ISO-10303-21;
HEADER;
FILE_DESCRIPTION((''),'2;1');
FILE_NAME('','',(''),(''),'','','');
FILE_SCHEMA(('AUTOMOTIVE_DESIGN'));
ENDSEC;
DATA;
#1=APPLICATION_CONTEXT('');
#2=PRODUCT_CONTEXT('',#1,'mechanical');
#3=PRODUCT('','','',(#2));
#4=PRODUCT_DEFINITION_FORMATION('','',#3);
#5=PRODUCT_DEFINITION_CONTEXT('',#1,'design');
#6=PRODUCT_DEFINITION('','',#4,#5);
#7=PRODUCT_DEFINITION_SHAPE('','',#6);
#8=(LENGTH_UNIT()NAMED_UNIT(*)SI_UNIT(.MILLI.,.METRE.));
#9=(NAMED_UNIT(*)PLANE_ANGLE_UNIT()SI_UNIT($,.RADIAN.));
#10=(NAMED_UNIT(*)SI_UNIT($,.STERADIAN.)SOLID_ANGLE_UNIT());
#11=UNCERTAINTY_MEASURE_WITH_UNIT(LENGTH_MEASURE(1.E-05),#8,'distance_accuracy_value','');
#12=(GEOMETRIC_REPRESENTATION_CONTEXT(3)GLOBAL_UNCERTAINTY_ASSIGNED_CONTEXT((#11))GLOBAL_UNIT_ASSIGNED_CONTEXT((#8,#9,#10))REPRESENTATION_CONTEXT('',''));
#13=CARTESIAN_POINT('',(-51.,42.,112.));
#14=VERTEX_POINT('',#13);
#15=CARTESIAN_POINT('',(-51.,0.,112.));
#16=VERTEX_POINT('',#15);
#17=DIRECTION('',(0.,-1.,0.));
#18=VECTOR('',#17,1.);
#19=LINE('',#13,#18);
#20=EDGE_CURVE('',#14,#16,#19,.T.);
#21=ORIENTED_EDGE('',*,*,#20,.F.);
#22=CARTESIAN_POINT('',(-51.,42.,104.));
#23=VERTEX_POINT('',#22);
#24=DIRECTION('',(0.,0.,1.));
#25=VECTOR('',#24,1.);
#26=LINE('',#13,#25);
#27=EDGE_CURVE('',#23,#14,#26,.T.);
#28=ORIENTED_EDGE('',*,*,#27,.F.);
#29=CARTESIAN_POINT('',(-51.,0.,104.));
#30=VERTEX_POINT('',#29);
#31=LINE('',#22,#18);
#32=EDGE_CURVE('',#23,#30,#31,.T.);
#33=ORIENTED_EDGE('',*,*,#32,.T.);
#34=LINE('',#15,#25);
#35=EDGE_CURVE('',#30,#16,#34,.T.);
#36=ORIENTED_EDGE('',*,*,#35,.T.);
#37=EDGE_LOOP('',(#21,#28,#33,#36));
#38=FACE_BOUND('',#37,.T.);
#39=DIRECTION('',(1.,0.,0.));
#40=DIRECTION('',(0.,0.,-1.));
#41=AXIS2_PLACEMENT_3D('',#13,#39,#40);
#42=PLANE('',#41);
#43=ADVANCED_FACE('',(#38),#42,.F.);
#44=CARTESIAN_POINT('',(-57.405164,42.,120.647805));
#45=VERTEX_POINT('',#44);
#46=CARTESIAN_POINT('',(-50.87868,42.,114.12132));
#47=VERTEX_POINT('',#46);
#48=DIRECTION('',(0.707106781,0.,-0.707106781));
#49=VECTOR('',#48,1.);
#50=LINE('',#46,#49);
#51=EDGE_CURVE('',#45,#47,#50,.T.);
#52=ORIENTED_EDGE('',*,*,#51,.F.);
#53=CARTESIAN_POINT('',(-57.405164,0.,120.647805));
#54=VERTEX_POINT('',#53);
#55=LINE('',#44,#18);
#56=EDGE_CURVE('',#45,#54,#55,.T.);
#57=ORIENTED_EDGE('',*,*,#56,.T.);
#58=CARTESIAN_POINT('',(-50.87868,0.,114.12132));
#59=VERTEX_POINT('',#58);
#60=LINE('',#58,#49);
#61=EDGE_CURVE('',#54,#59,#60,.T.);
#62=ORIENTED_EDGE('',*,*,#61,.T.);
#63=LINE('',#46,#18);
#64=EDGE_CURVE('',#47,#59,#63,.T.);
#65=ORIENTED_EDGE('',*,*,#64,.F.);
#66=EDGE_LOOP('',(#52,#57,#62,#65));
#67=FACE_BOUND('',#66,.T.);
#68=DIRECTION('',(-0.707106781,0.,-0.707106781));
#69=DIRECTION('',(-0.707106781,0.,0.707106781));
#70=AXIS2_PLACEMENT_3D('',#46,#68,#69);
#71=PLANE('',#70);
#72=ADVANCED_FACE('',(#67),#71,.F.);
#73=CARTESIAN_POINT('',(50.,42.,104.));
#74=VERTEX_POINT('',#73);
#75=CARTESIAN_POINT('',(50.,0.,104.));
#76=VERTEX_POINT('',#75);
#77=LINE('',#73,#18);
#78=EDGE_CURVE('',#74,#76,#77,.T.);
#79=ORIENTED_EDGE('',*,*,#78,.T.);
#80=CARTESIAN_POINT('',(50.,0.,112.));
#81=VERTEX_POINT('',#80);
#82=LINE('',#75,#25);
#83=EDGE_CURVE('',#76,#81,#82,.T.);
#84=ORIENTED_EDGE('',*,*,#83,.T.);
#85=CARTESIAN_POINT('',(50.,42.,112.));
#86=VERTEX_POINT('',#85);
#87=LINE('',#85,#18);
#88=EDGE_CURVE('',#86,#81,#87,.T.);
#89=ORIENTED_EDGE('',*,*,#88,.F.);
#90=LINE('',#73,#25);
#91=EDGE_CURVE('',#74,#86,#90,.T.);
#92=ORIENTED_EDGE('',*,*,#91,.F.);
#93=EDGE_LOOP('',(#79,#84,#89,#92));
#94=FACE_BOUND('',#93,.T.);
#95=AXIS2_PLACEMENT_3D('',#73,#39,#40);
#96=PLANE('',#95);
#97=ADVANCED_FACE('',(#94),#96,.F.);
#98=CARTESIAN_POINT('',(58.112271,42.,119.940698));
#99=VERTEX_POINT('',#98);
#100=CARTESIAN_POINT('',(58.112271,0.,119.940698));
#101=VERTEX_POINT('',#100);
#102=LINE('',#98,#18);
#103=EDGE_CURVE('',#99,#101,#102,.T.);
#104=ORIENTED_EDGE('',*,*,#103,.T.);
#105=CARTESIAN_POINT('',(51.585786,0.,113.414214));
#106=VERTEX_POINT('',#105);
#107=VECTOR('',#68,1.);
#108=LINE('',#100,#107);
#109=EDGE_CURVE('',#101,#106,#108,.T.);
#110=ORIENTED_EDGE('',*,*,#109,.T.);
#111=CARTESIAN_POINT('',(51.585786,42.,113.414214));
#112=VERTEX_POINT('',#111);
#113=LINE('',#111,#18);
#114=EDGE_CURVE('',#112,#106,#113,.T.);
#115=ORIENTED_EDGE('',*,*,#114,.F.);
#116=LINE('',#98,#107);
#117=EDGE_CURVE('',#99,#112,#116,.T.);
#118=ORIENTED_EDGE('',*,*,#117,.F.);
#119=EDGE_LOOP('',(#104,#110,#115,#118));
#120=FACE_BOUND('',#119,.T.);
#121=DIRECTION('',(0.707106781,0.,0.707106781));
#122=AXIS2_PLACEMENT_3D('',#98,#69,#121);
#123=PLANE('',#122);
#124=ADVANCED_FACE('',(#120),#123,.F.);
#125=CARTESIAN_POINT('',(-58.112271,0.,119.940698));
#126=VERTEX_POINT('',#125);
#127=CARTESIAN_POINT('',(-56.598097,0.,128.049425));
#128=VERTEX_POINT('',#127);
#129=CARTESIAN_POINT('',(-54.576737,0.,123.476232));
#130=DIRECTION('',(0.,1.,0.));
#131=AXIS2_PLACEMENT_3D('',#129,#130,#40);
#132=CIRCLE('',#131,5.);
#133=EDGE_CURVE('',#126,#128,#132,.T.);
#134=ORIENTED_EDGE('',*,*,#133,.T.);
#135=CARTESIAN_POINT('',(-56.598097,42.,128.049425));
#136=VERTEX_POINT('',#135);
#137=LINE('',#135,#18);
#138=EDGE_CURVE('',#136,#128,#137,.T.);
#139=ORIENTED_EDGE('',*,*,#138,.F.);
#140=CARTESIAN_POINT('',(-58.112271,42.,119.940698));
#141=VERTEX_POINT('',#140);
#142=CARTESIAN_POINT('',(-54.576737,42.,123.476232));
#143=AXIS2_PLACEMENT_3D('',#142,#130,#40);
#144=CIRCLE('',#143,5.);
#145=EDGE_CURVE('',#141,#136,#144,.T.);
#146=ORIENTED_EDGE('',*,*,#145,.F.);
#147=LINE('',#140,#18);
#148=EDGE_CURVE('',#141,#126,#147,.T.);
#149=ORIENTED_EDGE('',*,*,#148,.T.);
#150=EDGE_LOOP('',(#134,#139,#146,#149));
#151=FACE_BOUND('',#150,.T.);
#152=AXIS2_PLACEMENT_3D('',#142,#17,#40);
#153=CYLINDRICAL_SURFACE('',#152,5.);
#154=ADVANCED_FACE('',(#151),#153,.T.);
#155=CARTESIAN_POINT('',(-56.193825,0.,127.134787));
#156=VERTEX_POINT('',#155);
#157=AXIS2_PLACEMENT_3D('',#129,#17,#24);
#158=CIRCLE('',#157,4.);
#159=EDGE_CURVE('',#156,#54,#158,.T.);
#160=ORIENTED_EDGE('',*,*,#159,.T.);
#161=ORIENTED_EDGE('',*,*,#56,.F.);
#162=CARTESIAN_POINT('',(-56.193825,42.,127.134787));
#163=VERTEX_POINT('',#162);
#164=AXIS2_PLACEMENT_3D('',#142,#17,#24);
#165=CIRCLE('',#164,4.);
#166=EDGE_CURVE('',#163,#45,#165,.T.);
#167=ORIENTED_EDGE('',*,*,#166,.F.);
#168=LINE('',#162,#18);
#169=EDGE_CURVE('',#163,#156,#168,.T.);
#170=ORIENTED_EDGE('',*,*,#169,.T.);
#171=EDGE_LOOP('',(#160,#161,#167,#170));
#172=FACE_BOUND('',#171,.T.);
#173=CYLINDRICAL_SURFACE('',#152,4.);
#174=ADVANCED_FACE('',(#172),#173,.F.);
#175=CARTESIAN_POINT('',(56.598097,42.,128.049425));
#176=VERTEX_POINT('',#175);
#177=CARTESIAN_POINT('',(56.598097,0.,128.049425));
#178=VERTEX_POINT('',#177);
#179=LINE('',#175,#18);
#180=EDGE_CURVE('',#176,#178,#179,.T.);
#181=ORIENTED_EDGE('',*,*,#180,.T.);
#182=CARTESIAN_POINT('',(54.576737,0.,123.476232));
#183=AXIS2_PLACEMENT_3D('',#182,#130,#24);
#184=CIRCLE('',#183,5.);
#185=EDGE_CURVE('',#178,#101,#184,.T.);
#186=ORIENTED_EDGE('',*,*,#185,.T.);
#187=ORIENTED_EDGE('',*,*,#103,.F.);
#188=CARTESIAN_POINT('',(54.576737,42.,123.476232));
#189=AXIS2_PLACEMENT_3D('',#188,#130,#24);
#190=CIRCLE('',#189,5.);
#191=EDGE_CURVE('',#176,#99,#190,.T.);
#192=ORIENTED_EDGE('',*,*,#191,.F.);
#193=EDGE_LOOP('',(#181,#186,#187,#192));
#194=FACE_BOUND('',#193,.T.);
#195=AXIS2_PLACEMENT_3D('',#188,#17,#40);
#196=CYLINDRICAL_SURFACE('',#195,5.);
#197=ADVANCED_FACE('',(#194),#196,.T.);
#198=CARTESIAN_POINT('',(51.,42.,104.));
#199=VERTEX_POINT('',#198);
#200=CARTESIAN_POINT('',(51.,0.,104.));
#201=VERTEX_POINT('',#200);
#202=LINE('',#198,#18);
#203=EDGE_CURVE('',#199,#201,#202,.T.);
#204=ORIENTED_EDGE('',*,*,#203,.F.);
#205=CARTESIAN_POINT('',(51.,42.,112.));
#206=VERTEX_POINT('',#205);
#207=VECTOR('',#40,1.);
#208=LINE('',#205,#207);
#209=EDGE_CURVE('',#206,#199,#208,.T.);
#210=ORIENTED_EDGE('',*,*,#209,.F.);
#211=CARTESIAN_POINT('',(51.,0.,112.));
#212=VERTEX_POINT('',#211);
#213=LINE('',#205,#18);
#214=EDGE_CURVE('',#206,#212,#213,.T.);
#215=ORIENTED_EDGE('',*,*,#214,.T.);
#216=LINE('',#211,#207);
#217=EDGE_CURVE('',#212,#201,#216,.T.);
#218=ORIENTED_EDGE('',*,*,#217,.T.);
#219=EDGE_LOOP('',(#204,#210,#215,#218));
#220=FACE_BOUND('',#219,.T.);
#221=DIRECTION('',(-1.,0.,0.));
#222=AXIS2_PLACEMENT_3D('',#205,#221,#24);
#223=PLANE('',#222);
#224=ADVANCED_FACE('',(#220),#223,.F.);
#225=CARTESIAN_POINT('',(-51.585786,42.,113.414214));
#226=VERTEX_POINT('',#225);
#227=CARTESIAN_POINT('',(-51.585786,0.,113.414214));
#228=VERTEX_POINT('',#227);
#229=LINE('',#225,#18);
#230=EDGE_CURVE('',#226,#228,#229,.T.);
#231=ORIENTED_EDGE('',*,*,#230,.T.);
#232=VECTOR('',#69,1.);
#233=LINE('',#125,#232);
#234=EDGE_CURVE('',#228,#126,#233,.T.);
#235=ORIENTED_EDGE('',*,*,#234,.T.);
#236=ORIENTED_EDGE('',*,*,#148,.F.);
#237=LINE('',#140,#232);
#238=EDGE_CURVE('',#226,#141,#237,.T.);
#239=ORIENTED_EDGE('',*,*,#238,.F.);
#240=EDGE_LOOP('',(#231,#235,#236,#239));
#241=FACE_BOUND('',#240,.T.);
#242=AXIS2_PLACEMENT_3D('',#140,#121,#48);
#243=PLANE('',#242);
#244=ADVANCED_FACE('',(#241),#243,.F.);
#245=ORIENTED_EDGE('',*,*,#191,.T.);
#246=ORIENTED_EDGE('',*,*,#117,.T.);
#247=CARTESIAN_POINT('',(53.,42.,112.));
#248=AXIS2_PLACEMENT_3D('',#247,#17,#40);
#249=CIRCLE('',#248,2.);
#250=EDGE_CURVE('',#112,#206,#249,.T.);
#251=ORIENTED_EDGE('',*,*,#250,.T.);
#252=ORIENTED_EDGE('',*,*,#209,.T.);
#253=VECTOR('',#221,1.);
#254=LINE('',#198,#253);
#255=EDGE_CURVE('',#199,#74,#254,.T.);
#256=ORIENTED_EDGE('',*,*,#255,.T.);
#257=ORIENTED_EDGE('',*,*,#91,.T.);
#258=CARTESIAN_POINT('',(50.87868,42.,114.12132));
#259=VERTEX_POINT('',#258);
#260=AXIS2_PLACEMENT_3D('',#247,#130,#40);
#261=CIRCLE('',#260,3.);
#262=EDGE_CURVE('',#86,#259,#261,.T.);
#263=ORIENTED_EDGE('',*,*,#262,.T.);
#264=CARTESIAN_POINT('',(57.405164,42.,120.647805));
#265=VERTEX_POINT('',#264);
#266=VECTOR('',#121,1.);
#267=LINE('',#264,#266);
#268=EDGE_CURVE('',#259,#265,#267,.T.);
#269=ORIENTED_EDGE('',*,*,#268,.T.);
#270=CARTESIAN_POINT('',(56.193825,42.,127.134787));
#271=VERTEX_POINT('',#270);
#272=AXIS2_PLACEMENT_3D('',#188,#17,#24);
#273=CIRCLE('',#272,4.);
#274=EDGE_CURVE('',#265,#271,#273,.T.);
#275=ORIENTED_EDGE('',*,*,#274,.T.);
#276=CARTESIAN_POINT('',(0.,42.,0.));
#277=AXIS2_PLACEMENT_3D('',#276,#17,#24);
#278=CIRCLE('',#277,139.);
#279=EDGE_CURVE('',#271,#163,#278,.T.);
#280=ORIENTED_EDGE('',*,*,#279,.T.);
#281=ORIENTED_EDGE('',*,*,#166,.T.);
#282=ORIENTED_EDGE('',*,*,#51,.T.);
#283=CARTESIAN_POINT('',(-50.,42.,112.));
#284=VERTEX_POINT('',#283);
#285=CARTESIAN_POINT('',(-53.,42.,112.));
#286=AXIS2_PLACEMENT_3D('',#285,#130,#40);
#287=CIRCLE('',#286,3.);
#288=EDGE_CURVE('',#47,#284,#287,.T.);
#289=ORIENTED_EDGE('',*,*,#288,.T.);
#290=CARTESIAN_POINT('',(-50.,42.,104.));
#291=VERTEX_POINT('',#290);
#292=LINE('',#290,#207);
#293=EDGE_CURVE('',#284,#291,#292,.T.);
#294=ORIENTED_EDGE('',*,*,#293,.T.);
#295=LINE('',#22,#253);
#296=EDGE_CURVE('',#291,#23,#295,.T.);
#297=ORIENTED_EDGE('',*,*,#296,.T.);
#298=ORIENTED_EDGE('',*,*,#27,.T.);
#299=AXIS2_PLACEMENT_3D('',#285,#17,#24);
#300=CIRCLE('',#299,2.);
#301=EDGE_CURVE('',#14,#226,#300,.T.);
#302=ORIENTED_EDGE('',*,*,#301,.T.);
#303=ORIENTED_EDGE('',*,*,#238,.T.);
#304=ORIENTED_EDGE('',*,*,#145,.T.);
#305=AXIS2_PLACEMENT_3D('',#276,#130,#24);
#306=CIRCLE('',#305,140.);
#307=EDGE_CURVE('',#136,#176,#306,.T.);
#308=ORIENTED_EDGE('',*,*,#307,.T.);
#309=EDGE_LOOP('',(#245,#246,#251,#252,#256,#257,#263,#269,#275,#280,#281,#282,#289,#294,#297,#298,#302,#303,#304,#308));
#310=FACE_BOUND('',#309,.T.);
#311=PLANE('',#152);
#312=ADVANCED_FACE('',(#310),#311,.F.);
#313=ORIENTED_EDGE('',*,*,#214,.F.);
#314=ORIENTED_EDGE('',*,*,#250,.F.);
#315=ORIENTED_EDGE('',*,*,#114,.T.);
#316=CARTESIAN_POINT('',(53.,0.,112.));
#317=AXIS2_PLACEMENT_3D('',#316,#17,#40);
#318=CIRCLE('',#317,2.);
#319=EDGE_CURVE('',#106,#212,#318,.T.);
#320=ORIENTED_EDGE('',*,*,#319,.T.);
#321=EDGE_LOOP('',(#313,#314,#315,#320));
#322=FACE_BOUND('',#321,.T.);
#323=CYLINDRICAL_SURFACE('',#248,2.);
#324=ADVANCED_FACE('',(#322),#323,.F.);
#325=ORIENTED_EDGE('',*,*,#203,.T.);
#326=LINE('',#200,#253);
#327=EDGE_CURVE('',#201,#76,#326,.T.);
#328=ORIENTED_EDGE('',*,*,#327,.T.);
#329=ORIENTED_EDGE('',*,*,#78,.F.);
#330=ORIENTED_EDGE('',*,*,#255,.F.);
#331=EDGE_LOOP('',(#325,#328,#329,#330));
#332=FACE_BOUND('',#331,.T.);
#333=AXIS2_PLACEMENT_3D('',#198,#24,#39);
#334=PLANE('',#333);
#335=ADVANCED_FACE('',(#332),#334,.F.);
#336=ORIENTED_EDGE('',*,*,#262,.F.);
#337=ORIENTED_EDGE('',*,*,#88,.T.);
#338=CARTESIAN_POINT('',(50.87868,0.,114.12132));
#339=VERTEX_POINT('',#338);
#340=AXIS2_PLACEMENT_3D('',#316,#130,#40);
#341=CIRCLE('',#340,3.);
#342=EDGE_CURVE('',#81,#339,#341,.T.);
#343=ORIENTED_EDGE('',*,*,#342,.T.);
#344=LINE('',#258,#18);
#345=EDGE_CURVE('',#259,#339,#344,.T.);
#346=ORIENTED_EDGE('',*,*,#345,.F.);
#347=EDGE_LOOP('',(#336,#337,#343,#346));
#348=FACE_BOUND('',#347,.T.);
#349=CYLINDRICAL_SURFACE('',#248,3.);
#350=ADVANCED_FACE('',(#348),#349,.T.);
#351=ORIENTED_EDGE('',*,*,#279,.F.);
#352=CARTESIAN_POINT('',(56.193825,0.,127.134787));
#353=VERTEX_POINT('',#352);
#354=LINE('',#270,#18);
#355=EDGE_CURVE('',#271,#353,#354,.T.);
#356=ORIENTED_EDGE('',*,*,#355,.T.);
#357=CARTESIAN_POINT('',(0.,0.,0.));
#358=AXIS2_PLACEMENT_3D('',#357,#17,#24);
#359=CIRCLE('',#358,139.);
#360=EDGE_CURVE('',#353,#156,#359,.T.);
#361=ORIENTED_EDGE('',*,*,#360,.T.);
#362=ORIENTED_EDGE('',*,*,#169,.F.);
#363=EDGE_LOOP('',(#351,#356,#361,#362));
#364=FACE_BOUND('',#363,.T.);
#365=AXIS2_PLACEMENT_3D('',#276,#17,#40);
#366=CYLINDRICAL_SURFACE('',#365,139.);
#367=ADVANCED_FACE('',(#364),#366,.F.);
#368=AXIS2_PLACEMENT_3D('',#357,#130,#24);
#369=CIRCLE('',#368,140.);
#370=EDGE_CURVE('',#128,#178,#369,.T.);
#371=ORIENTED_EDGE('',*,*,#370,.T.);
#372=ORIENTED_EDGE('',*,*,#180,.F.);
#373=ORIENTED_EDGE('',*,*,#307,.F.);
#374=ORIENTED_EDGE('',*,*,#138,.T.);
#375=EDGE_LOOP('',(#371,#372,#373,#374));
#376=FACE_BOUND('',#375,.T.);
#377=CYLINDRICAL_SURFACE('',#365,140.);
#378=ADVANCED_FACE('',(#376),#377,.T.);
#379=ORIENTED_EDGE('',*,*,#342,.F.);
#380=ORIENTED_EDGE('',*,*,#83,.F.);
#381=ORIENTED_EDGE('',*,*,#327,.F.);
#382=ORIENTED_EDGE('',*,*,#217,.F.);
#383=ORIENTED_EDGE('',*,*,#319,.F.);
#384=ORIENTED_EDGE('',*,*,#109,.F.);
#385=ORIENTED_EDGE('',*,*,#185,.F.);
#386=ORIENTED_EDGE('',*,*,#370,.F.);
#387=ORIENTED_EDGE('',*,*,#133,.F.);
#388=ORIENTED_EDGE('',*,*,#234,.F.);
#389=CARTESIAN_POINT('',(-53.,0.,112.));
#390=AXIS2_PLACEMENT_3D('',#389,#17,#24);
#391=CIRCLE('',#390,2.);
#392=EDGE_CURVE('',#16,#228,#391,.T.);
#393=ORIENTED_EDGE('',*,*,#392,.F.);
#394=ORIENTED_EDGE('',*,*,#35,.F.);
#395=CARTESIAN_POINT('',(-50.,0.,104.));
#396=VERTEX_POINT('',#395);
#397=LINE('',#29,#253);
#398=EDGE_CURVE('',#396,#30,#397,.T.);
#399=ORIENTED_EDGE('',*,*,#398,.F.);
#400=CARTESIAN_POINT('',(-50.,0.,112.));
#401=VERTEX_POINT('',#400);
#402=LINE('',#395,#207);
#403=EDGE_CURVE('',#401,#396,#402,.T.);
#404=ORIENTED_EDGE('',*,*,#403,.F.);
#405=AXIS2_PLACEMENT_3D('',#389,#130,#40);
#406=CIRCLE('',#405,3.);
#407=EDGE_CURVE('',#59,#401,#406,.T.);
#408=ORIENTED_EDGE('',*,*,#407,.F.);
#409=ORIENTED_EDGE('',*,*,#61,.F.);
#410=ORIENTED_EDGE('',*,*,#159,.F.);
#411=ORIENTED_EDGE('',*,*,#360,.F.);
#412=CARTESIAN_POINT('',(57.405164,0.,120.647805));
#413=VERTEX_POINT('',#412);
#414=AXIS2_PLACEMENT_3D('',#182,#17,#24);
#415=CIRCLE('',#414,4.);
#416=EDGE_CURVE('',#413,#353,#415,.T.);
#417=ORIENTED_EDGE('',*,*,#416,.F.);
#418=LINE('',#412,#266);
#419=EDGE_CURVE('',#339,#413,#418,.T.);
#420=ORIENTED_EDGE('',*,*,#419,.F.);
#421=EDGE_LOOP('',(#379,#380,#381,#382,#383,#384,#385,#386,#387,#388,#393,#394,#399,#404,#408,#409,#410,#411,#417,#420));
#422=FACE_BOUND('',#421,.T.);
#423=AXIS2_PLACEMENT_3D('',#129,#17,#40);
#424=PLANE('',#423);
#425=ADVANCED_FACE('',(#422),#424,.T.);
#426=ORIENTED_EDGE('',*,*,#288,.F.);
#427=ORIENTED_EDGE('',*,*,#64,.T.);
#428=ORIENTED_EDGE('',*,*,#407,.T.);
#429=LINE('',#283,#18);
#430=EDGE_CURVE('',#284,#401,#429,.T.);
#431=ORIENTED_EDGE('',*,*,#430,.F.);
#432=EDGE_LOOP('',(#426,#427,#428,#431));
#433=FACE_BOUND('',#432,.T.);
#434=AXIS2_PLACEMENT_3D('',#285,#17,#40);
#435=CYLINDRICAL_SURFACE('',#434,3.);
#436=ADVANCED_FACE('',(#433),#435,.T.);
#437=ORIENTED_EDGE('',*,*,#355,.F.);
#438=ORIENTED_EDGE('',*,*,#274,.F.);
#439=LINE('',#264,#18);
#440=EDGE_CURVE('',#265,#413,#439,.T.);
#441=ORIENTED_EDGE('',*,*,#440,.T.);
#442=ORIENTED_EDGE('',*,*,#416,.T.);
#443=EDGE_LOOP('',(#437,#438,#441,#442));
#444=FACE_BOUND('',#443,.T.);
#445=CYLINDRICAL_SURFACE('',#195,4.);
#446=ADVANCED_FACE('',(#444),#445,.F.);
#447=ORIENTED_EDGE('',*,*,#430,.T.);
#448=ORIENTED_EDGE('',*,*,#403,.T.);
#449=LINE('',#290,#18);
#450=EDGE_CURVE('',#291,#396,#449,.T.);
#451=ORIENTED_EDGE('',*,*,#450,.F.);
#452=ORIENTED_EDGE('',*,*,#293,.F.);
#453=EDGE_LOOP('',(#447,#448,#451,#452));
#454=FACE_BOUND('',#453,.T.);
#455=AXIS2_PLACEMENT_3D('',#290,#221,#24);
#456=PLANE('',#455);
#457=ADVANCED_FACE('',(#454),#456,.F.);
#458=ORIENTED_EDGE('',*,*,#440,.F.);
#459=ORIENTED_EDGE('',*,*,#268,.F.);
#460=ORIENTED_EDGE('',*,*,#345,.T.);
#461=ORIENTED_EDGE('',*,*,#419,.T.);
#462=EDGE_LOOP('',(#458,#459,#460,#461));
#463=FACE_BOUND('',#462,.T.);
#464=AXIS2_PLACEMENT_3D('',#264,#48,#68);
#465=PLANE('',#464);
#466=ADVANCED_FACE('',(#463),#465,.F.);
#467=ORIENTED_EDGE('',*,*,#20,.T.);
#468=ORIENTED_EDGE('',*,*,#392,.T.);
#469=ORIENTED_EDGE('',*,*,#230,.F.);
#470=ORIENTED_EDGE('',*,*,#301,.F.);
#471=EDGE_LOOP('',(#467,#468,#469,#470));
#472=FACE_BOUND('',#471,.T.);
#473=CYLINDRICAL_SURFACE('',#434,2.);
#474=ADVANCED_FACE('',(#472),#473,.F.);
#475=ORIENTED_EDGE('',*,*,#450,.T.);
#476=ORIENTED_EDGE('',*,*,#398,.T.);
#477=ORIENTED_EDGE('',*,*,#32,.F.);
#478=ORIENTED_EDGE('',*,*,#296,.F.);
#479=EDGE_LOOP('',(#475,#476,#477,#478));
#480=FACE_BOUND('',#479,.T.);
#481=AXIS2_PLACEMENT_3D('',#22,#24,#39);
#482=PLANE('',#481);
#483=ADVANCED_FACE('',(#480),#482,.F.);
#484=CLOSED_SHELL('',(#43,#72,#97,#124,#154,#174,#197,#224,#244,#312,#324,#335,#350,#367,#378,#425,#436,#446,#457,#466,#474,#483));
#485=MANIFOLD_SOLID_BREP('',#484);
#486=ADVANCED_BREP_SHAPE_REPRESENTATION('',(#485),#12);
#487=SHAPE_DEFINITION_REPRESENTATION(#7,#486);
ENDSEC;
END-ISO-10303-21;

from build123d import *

# Parameters (mm, degrees)
BOSS_EXTRUDE1_DEPTH = 42


with BuildPart() as part:
    # Sketch1 → Boss-Extrude1 (new body)
    with BuildSketch(Plane(origin=(0, 0, 0), x_dir=(1, 0, 0), z_dir=(0, 1, 0))):
        with BuildLine():
            Line((-58.112270696, -119.940697821), (-51.585786438, -113.414213562))
            ThreePointArc((-51.585786438, -113.414213562), (-51.152240935, -112.765366865), (-51, -112))
            Line((-51, -112), (-51, -104))
            Line((-51, -104), (-50, -104))
            Line((-50, -104), (-50, -112))
            ThreePointArc((-50, -112), (-50.228361402, -113.148050297), (-50.878679656, -114.121320344))
            Line((-50.878679656, -114.121320344), (-57.405163915, -120.647804602))
            ThreePointArc((-57.405163915, -120.647804602), (-58.508770183, -124.210475144), (-56.193825287, -127.134786741))
            ThreePointArc((-56.193825287, -127.134786741), (0, -139), (56.193825287, -127.134786741))
            ThreePointArc((56.193825287, -127.134786741), (58.508770183, -124.210475144), (57.405163915, -120.647804602))
            Line((57.405163915, -120.647804602), (50.878679656, -114.121320344))
            ThreePointArc((50.878679656, -114.121320344), (50.228361402, -113.148050297), (50, -112))
            Line((50, -112), (50, -104))
            Line((50, -104), (51, -104))
            Line((51, -104), (51, -112))
            ThreePointArc((51, -112), (51.152240935, -112.765366865), (51.585786438, -113.414213562))
            Line((51.585786438, -113.414213562), (58.112270696, -119.940697821))
            ThreePointArc((58.112270696, -119.940697821), (59.491778531, -124.394035998), (56.598097412, -128.049425494))
            ThreePointArc((56.598097412, -128.049425494), (0, -140), (-56.598097412, -128.049425494))
            ThreePointArc((-56.598097412, -128.049425494), (-59.491778531, -124.394035998), (-58.112270696, -119.940697821))
        make_face()
    extrude(amount=BOSS_EXTRUDE1_DEPTH)


solid = part.part
